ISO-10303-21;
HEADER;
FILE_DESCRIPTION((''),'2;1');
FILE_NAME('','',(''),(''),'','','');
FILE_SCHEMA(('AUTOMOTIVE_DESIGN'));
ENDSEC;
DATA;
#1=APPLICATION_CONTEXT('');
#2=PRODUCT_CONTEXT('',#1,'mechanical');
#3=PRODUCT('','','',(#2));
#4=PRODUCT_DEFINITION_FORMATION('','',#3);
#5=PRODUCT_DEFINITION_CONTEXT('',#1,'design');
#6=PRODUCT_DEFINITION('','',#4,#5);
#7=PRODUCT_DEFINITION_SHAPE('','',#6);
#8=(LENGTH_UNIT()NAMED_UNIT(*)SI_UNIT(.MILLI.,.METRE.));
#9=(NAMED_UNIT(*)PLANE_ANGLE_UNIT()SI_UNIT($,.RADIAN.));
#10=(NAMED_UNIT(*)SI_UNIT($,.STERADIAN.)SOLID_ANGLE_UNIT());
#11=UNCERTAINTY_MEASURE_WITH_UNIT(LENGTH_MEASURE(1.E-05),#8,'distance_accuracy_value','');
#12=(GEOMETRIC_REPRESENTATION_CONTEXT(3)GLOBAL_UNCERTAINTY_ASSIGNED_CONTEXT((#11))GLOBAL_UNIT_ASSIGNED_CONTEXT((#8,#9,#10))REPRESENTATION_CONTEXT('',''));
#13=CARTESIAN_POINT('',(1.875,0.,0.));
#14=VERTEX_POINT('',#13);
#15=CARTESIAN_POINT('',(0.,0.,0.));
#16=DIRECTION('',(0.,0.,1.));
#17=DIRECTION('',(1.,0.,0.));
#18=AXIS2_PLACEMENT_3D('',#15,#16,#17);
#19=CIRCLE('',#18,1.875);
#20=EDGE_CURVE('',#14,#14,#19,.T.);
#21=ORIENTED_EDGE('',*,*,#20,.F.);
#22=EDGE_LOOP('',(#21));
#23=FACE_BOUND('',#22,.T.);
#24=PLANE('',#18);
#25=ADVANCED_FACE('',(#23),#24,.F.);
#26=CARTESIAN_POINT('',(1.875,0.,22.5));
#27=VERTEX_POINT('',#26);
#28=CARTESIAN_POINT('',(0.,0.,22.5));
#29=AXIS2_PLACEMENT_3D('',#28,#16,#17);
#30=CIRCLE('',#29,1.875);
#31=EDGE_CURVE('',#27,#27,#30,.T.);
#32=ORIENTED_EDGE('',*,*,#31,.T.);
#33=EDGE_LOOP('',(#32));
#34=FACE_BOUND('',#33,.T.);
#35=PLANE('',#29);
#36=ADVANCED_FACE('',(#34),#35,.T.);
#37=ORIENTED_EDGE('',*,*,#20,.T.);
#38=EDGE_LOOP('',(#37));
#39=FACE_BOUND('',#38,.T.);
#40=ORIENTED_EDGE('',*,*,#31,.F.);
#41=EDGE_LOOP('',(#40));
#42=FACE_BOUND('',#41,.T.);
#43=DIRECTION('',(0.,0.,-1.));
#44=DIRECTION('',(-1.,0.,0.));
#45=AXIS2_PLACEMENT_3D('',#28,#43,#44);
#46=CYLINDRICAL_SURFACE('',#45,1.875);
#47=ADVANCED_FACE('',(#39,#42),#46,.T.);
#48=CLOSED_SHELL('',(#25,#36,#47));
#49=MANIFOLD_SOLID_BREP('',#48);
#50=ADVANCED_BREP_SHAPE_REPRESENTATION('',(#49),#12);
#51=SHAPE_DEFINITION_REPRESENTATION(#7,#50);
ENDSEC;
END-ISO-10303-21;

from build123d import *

# Parameters (mm, degrees)
SKETCH1_R           = 1.875
BOSS_EXTRUDE1_DEPTH = 22.5


with BuildPart() as part:
    # Sketch1 → Boss-Extrude1 (new body)
    with BuildSketch(Plane.XY):
        Circle(SKETCH1_R)
    extrude(amount=BOSS_EXTRUDE1_DEPTH)


solid = part.part
